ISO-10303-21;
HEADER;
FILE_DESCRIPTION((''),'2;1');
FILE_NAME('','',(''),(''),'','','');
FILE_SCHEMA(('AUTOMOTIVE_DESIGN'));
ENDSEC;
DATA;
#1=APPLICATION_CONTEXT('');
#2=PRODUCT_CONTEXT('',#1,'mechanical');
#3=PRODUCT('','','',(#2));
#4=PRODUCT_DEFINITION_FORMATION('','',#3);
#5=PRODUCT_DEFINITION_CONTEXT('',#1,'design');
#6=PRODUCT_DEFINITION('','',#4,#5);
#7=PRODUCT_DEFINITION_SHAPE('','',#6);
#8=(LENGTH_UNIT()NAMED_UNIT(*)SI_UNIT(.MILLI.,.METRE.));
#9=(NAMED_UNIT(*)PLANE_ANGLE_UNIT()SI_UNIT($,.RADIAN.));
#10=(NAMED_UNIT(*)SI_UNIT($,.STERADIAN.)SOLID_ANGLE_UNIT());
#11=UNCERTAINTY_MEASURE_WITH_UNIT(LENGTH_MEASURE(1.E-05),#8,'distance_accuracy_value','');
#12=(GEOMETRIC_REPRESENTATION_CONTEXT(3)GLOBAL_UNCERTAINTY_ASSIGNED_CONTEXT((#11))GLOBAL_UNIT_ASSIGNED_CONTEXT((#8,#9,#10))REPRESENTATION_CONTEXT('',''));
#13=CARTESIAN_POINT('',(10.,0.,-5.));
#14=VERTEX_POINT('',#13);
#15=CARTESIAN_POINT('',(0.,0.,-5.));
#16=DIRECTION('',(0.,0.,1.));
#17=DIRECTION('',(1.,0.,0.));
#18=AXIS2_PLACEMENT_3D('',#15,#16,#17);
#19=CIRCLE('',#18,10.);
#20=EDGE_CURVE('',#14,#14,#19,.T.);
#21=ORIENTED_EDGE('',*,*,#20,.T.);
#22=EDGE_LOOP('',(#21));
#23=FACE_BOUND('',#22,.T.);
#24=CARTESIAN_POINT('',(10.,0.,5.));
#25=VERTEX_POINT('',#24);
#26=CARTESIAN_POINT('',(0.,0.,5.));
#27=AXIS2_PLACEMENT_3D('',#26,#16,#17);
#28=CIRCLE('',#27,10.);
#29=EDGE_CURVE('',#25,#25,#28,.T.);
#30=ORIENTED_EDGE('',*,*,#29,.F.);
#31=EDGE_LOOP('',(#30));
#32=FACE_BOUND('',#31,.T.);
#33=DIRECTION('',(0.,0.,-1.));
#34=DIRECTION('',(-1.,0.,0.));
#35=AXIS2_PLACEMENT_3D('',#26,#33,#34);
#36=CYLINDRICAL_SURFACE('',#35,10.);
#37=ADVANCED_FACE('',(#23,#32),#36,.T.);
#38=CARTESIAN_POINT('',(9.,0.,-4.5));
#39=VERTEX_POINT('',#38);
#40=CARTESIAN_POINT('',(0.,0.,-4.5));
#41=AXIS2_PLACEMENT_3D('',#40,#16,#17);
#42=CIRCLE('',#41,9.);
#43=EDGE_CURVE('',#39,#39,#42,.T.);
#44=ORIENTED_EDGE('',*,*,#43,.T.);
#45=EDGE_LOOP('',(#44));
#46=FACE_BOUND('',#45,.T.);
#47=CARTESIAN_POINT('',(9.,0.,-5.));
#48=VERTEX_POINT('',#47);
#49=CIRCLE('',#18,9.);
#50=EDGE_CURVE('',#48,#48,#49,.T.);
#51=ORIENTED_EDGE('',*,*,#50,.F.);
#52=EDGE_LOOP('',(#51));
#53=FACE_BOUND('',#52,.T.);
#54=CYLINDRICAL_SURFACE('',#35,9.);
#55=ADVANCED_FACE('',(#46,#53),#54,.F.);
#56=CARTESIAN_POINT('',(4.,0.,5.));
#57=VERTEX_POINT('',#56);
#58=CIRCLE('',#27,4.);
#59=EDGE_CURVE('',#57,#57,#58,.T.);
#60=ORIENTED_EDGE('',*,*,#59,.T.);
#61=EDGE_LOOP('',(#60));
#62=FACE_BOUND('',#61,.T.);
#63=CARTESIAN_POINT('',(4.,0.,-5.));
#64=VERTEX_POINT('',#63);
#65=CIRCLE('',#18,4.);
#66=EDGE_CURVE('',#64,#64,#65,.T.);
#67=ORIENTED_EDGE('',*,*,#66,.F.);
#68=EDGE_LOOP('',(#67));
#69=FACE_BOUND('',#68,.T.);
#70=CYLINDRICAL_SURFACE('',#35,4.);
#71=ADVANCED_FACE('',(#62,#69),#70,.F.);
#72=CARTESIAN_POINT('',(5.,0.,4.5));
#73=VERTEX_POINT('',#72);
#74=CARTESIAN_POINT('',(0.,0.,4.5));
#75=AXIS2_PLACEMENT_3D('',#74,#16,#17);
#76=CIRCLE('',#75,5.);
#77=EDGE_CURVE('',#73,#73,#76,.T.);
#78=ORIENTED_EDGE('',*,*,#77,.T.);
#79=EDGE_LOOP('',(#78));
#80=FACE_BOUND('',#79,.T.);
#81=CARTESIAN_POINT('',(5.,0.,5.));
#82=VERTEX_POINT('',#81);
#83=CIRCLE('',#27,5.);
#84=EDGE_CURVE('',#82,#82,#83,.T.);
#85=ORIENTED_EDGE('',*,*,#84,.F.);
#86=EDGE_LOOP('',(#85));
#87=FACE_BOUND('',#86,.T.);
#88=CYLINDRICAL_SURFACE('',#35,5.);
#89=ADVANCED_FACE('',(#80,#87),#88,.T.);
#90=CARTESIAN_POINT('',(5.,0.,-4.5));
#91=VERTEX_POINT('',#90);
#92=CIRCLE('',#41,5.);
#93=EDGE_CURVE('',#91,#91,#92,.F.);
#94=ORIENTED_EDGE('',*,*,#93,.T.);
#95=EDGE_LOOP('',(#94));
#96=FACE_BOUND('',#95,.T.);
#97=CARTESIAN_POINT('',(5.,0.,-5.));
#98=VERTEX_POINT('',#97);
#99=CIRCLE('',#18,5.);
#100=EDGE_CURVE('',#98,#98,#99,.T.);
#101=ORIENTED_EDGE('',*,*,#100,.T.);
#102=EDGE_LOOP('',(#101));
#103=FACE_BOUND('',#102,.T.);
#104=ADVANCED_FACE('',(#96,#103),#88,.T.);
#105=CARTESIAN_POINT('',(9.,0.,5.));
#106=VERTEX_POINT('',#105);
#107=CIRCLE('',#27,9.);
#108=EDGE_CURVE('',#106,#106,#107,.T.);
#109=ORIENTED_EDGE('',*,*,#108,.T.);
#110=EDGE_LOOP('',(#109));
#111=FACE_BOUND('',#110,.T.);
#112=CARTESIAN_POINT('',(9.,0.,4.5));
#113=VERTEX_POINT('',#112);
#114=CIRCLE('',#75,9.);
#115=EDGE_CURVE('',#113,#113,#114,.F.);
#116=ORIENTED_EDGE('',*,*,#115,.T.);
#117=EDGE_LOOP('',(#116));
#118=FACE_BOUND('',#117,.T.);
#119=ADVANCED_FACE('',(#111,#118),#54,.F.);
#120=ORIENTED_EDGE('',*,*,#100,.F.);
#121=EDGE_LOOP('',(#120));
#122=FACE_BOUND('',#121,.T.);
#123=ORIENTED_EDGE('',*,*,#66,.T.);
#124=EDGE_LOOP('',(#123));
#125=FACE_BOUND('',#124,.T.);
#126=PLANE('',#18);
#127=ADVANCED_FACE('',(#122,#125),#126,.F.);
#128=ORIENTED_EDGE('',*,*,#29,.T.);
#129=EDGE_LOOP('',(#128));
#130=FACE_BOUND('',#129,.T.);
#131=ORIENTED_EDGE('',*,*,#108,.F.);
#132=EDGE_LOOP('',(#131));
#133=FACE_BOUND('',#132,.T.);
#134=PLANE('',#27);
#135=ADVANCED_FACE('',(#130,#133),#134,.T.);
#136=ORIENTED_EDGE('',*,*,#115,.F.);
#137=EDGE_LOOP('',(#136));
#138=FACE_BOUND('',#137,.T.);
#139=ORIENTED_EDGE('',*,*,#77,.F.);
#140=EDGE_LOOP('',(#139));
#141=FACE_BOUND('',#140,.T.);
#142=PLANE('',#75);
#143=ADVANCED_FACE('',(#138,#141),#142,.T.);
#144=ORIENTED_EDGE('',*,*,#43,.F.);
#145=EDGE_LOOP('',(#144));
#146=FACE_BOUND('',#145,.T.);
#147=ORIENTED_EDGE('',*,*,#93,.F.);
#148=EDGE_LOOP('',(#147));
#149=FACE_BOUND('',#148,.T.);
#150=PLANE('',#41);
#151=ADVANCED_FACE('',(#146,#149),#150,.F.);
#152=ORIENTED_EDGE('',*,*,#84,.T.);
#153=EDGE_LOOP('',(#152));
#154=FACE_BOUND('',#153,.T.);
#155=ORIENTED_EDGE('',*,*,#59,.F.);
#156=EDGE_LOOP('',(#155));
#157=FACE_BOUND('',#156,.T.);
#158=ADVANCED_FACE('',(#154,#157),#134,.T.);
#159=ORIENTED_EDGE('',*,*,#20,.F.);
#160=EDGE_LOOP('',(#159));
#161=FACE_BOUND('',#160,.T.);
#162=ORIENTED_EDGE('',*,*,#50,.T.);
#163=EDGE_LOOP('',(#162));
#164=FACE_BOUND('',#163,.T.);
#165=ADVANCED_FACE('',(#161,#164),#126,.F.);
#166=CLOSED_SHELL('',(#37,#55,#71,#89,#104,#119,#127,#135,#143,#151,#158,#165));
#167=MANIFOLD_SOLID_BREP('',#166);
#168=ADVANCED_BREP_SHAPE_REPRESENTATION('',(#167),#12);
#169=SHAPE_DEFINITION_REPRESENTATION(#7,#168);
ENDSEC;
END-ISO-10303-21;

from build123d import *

# Parameters (mm, degrees)
SKETCH_1_R      = 9
SKETCH_1_R_2    = 5
EXTRUDE_1_DEPTH = 4.5
SKETCH_1_3_R    = 10
SKETCH_1_3_R_2  = 9
SKETCH_1_3_R_3  = 5
SKETCH_1_3_R_4  = 4
EXTRUDE_2_DEPTH = 5


with BuildPart() as part:
    # 草图1 → 凸台-拉伸1 (new, symmetric)
    with BuildSketch(Plane.XY):
        Circle(SKETCH_1_R)
        Circle(SKETCH_1_R_2, mode=Mode.SUBTRACT)
    extrude(amount=EXTRUDE_1_DEPTH, both=True)

    # 草图1<3> → 凸台-拉伸2 (add, symmetric)
    # profile 1 of 2: a face of its own
    with BuildSketch(Plane.XY):
        Circle(SKETCH_1_3_R)
        Circle(SKETCH_1_3_R_2, mode=Mode.SUBTRACT)
    # profile 2 of 2: a face of its own
    with BuildSketch(Plane.XY):
        Circle(SKETCH_1_3_R_3)
        Circle(SKETCH_1_3_R_4, mode=Mode.SUBTRACT)
    extrude(amount=EXTRUDE_2_DEPTH, both=True)


solid = part.part
